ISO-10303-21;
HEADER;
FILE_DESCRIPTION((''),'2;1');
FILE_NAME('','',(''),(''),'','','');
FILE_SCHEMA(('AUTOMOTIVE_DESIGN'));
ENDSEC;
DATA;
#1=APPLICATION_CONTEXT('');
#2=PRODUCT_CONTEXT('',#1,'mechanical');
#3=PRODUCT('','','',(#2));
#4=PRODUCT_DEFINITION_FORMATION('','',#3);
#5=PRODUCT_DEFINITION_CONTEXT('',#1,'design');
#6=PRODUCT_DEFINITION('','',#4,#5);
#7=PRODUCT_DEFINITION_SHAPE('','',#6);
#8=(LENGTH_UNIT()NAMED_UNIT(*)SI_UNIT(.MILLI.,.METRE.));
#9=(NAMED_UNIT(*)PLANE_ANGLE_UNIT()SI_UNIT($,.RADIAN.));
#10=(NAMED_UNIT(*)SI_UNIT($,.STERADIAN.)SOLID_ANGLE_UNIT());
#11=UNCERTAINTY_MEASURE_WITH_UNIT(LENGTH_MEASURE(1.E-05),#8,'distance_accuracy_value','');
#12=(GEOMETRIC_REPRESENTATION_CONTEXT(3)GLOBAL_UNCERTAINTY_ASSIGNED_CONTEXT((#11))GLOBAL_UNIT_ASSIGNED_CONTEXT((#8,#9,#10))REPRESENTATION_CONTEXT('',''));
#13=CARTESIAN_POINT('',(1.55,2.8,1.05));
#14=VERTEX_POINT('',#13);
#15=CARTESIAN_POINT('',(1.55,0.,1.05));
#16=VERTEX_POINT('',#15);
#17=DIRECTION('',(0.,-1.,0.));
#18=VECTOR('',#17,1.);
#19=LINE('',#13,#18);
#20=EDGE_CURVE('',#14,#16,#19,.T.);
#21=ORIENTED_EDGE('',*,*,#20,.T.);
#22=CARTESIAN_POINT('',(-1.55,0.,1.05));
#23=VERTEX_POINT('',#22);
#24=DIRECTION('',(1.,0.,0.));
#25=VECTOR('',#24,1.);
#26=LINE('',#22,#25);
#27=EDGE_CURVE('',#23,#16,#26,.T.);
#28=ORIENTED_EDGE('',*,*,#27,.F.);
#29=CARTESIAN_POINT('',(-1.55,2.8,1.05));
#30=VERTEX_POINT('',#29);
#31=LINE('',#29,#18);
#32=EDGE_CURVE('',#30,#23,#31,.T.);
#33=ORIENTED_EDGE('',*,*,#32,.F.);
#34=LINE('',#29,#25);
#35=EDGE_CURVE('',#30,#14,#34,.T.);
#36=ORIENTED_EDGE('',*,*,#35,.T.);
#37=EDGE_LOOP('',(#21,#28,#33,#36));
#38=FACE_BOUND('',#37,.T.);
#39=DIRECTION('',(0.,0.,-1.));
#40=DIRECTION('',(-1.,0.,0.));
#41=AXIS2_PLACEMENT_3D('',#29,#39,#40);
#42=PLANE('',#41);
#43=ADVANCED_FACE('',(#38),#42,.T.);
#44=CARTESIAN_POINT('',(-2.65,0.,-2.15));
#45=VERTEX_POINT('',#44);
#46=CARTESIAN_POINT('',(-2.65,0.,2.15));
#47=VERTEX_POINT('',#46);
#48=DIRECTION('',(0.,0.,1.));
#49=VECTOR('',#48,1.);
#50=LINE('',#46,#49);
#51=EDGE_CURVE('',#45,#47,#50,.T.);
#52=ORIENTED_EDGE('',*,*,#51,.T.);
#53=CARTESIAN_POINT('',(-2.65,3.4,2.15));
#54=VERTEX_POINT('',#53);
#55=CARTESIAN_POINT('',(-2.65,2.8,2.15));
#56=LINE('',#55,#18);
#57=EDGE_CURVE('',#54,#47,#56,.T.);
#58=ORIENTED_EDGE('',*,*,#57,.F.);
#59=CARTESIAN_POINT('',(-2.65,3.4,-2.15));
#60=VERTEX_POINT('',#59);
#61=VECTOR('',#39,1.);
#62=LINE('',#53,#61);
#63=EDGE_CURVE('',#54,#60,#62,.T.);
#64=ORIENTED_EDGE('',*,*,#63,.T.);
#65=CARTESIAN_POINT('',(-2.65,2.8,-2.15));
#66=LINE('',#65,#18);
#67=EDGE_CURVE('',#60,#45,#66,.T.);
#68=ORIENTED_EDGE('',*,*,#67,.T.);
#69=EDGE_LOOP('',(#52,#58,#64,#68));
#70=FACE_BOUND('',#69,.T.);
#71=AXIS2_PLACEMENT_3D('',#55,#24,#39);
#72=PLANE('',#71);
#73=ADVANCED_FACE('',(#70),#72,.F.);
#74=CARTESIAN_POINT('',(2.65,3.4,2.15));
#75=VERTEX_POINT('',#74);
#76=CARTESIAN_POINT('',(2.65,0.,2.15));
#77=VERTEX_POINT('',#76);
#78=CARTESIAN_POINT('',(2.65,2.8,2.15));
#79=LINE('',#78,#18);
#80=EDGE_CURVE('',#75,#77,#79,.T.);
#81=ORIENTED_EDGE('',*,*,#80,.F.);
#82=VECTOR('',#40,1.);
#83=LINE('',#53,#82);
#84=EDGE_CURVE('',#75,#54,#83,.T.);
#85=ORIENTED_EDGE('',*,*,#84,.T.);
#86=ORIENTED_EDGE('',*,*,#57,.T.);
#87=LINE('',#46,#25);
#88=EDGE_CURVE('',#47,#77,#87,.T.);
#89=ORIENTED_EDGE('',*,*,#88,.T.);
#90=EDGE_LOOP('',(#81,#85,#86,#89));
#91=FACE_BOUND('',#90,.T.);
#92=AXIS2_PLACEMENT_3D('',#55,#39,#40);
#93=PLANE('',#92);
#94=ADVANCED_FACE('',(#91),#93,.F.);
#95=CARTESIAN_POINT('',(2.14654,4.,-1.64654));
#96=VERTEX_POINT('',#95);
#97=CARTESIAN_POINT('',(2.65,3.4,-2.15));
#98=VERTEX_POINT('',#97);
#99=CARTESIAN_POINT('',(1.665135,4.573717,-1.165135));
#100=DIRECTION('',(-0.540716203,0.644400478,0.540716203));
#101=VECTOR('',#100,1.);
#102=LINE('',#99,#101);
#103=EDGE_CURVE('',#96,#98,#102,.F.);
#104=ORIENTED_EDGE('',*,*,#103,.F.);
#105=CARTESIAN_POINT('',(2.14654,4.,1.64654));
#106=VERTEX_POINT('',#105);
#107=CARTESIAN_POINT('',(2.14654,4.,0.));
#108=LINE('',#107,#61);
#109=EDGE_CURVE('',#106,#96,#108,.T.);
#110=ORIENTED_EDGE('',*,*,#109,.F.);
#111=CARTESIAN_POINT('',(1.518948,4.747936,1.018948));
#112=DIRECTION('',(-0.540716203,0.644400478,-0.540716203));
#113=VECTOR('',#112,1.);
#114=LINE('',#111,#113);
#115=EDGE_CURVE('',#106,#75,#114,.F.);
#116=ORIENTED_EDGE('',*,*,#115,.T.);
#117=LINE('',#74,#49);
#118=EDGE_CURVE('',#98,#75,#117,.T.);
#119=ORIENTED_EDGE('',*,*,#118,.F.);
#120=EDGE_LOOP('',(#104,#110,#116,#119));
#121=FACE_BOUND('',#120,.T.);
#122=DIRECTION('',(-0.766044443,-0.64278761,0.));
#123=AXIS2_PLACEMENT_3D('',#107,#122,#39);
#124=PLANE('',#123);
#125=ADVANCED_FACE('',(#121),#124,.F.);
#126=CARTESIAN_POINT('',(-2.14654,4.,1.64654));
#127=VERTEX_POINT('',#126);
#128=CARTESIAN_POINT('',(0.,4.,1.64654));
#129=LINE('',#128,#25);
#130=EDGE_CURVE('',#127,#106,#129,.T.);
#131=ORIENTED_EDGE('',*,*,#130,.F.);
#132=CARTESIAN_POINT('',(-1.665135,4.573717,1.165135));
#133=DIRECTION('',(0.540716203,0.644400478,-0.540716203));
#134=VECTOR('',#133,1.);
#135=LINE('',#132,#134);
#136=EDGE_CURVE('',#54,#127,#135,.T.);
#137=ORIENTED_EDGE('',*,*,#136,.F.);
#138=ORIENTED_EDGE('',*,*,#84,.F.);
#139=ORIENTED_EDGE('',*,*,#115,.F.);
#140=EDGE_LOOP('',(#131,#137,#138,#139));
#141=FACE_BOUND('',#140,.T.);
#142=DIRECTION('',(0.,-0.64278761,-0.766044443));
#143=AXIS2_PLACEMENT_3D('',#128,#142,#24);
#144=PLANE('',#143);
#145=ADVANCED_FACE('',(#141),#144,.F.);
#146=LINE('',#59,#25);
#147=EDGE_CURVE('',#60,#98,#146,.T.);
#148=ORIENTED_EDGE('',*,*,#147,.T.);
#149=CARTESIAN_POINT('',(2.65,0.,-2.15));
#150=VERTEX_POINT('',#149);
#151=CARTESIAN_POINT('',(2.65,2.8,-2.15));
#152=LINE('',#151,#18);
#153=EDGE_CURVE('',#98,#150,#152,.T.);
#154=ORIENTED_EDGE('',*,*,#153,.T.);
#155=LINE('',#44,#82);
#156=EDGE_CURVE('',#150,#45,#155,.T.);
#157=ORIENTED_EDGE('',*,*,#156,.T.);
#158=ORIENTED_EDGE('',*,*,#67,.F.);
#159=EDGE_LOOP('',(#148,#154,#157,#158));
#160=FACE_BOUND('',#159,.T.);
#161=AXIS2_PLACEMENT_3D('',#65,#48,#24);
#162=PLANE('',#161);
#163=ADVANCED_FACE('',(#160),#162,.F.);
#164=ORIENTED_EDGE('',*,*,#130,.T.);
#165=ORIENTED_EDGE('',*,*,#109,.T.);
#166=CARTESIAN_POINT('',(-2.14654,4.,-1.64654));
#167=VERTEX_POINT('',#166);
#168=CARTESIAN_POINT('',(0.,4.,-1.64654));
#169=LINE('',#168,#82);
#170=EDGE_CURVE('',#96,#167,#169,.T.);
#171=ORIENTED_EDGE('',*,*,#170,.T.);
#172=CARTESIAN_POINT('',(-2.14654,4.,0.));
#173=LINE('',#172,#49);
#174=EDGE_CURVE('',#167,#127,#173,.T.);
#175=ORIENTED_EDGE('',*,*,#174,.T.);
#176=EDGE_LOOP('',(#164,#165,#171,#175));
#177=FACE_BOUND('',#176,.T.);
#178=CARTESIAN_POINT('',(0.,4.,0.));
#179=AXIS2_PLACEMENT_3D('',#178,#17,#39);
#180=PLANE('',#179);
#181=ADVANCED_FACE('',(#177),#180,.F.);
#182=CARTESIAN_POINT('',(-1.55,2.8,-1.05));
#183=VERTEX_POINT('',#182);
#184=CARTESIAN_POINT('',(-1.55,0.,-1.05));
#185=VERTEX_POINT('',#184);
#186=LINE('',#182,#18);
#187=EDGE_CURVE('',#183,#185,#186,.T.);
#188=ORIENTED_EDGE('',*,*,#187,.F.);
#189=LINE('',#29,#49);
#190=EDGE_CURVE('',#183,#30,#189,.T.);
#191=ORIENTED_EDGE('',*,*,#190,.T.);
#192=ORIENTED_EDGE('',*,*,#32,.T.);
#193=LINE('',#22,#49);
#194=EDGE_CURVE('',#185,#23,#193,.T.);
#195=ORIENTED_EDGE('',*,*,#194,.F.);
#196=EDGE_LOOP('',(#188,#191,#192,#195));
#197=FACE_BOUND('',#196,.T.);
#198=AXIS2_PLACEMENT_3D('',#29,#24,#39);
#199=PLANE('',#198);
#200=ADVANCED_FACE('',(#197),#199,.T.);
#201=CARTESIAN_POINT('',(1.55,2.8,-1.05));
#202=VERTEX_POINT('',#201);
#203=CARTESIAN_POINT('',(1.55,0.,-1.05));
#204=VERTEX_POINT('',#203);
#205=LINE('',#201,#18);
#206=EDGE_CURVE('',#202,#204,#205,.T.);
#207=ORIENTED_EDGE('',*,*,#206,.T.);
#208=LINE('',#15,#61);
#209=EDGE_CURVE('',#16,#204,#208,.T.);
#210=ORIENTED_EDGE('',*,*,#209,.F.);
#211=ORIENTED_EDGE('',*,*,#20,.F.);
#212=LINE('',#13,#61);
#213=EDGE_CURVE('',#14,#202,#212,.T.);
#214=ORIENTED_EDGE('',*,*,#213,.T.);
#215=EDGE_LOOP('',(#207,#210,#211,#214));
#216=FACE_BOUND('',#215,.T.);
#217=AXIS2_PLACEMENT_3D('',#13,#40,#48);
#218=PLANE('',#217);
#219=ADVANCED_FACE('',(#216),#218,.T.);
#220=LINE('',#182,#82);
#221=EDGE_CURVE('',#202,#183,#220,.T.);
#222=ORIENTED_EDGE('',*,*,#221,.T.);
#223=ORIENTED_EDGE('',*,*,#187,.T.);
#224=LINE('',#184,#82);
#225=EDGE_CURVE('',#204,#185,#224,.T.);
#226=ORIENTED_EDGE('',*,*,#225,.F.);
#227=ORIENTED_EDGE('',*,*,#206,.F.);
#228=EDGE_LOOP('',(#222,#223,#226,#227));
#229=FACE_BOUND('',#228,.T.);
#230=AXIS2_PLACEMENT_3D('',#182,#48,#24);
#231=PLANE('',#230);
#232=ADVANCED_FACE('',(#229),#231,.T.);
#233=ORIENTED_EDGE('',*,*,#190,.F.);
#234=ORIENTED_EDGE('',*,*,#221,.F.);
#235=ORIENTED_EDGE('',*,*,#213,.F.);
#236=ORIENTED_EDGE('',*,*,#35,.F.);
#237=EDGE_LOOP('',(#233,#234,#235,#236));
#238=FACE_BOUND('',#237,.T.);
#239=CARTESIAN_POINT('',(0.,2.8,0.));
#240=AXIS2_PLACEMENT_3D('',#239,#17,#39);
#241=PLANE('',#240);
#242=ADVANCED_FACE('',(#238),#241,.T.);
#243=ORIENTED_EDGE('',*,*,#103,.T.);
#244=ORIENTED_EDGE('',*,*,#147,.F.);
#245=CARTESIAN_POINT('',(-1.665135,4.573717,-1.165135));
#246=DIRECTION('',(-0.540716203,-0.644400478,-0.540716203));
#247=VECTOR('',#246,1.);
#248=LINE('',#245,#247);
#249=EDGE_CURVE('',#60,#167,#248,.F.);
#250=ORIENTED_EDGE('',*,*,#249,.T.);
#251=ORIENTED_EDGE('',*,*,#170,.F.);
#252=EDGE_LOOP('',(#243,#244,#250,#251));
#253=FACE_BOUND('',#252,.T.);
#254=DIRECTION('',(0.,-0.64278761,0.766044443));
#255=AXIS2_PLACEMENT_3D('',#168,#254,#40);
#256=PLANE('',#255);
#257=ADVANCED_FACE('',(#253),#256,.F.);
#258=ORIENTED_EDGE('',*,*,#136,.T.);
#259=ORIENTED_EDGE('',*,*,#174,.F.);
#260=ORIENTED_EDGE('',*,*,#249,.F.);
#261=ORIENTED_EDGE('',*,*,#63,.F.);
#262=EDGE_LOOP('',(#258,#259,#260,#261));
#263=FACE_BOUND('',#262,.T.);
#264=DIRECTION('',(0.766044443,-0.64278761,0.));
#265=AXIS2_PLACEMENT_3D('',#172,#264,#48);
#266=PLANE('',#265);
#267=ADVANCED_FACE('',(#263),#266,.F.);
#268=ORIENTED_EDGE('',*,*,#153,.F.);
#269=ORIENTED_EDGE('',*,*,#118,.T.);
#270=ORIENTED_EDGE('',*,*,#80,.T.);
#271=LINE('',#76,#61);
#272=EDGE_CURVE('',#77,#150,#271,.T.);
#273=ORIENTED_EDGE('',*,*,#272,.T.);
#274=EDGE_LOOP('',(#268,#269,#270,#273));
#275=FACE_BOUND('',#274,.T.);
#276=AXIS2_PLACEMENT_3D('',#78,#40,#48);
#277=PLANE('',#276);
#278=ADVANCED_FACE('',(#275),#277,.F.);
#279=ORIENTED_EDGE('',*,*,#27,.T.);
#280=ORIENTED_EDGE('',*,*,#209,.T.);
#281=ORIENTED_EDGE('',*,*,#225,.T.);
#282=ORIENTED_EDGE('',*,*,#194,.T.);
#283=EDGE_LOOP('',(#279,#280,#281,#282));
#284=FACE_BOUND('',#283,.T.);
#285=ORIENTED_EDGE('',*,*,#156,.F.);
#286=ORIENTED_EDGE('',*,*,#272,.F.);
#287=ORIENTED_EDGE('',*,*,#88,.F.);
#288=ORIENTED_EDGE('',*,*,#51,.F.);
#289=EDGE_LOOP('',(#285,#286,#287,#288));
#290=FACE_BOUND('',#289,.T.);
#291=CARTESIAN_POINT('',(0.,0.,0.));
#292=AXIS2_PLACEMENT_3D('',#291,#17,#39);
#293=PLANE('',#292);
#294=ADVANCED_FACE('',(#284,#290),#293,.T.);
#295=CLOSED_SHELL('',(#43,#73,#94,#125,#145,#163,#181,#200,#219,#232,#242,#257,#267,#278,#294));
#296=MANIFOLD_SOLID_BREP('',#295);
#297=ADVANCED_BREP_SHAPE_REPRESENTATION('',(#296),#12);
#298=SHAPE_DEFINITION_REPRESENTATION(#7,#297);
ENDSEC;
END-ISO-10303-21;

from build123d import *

# Parameters (mm, degrees)
SKETCH1_W                = 5.3
SKETCH1_H                = 4.3
SKETCH1_W_2              = 3.1
SKETCH1_H_2              = 2.1
BODY_EXTRUDE_DEPTH       = 2.8
SKETCH2_W                = 5.3
SKETCH2_H                = 4.3
CAP_EXTRUDE_DEPTH        = 1.2
BED_CHAMFER_SIZE         = 0.6
BED_CHAMFER_SIZE2        = 0.503459779
BED_CHAMFER_PART_2_SIZE  = 0.6
BED_CHAMFER_PART_2_SIZE2 = 0.503459779
BED_CHAMFER_PART_3_SIZE  = 0.6
BED_CHAMFER_PART_3_SIZE2 = 0.503459779
BED_CHAMFER_PART_4_SIZE  = 0.6
BED_CHAMFER_PART_4_SIZE2 = 0.503459779


with BuildPart() as part:
    # Sketch1 → Body Extrude (new body)
    with BuildSketch(Plane(origin=(0, 0, 0), x_dir=(1, 0, 0), z_dir=(0, 1, 0))):
        Rectangle(SKETCH1_W, SKETCH1_H)
        Rectangle(SKETCH1_W_2, SKETCH1_H_2, mode=Mode.SUBTRACT)
    extrude(amount=BODY_EXTRUDE_DEPTH)

    # Sketch2 → Cap Extrude (add)
    with BuildSketch(Plane(origin=(0, 2.8, 0), x_dir=(1, 0, 0), z_dir=(0, 1, 0))):
        Rectangle(SKETCH2_W, SKETCH2_H)
    extrude(amount=CAP_EXTRUDE_DEPTH)

    # Bed Chamfer
    bed_chamfer_edges = [part.edges().sort_by_distance(p)[0] for p in [
        (-2.65, 4, 0),
    ]]
    bed_chamfer_side = [part.faces().sort_by_distance(p)[0] for p in [
        (-2.65, 2, 0),
    ]]
    chamfer(bed_chamfer_edges, length=BED_CHAMFER_SIZE, length2=BED_CHAMFER_SIZE2, reference=bed_chamfer_side[0])

    # Bed Chamfer part 2
    bed_chamfer_part_2_edges = [part.edges().sort_by_distance(p)[0] for p in [
        (0, 4, 2.15),
    ]]
    bed_chamfer_part_2_side = [part.faces().sort_by_distance(p)[0] for p in [
        (0, 2, 2.15),
    ]]
    chamfer(bed_chamfer_part_2_edges, length=BED_CHAMFER_PART_2_SIZE, length2=BED_CHAMFER_PART_2_SIZE2, reference=bed_chamfer_part_2_side[0])

    # Bed Chamfer part 3
    bed_chamfer_part_3_edges = [part.edges().sort_by_distance(p)[0] for p in [
        (2.65, 4, 0),
    ]]
    bed_chamfer_part_3_side = [part.faces().sort_by_distance(p)[0] for p in [
        (2.65, 2, 0),
    ]]
    chamfer(bed_chamfer_part_3_edges, length=BED_CHAMFER_PART_3_SIZE, length2=BED_CHAMFER_PART_3_SIZE2, reference=bed_chamfer_part_3_side[0])

    # Bed Chamfer part 4
    bed_chamfer_part_4_edges = [part.edges().sort_by_distance(p)[0] for p in [
        (0, 4, -2.15),
    ]]
    bed_chamfer_part_4_side = [part.faces().sort_by_distance(p)[0] for p in [
        (0, 2, -2.15),
    ]]
    chamfer(bed_chamfer_part_4_edges, length=BED_CHAMFER_PART_4_SIZE, length2=BED_CHAMFER_PART_4_SIZE2, reference=bed_chamfer_part_4_side[0])


solid = part.part
